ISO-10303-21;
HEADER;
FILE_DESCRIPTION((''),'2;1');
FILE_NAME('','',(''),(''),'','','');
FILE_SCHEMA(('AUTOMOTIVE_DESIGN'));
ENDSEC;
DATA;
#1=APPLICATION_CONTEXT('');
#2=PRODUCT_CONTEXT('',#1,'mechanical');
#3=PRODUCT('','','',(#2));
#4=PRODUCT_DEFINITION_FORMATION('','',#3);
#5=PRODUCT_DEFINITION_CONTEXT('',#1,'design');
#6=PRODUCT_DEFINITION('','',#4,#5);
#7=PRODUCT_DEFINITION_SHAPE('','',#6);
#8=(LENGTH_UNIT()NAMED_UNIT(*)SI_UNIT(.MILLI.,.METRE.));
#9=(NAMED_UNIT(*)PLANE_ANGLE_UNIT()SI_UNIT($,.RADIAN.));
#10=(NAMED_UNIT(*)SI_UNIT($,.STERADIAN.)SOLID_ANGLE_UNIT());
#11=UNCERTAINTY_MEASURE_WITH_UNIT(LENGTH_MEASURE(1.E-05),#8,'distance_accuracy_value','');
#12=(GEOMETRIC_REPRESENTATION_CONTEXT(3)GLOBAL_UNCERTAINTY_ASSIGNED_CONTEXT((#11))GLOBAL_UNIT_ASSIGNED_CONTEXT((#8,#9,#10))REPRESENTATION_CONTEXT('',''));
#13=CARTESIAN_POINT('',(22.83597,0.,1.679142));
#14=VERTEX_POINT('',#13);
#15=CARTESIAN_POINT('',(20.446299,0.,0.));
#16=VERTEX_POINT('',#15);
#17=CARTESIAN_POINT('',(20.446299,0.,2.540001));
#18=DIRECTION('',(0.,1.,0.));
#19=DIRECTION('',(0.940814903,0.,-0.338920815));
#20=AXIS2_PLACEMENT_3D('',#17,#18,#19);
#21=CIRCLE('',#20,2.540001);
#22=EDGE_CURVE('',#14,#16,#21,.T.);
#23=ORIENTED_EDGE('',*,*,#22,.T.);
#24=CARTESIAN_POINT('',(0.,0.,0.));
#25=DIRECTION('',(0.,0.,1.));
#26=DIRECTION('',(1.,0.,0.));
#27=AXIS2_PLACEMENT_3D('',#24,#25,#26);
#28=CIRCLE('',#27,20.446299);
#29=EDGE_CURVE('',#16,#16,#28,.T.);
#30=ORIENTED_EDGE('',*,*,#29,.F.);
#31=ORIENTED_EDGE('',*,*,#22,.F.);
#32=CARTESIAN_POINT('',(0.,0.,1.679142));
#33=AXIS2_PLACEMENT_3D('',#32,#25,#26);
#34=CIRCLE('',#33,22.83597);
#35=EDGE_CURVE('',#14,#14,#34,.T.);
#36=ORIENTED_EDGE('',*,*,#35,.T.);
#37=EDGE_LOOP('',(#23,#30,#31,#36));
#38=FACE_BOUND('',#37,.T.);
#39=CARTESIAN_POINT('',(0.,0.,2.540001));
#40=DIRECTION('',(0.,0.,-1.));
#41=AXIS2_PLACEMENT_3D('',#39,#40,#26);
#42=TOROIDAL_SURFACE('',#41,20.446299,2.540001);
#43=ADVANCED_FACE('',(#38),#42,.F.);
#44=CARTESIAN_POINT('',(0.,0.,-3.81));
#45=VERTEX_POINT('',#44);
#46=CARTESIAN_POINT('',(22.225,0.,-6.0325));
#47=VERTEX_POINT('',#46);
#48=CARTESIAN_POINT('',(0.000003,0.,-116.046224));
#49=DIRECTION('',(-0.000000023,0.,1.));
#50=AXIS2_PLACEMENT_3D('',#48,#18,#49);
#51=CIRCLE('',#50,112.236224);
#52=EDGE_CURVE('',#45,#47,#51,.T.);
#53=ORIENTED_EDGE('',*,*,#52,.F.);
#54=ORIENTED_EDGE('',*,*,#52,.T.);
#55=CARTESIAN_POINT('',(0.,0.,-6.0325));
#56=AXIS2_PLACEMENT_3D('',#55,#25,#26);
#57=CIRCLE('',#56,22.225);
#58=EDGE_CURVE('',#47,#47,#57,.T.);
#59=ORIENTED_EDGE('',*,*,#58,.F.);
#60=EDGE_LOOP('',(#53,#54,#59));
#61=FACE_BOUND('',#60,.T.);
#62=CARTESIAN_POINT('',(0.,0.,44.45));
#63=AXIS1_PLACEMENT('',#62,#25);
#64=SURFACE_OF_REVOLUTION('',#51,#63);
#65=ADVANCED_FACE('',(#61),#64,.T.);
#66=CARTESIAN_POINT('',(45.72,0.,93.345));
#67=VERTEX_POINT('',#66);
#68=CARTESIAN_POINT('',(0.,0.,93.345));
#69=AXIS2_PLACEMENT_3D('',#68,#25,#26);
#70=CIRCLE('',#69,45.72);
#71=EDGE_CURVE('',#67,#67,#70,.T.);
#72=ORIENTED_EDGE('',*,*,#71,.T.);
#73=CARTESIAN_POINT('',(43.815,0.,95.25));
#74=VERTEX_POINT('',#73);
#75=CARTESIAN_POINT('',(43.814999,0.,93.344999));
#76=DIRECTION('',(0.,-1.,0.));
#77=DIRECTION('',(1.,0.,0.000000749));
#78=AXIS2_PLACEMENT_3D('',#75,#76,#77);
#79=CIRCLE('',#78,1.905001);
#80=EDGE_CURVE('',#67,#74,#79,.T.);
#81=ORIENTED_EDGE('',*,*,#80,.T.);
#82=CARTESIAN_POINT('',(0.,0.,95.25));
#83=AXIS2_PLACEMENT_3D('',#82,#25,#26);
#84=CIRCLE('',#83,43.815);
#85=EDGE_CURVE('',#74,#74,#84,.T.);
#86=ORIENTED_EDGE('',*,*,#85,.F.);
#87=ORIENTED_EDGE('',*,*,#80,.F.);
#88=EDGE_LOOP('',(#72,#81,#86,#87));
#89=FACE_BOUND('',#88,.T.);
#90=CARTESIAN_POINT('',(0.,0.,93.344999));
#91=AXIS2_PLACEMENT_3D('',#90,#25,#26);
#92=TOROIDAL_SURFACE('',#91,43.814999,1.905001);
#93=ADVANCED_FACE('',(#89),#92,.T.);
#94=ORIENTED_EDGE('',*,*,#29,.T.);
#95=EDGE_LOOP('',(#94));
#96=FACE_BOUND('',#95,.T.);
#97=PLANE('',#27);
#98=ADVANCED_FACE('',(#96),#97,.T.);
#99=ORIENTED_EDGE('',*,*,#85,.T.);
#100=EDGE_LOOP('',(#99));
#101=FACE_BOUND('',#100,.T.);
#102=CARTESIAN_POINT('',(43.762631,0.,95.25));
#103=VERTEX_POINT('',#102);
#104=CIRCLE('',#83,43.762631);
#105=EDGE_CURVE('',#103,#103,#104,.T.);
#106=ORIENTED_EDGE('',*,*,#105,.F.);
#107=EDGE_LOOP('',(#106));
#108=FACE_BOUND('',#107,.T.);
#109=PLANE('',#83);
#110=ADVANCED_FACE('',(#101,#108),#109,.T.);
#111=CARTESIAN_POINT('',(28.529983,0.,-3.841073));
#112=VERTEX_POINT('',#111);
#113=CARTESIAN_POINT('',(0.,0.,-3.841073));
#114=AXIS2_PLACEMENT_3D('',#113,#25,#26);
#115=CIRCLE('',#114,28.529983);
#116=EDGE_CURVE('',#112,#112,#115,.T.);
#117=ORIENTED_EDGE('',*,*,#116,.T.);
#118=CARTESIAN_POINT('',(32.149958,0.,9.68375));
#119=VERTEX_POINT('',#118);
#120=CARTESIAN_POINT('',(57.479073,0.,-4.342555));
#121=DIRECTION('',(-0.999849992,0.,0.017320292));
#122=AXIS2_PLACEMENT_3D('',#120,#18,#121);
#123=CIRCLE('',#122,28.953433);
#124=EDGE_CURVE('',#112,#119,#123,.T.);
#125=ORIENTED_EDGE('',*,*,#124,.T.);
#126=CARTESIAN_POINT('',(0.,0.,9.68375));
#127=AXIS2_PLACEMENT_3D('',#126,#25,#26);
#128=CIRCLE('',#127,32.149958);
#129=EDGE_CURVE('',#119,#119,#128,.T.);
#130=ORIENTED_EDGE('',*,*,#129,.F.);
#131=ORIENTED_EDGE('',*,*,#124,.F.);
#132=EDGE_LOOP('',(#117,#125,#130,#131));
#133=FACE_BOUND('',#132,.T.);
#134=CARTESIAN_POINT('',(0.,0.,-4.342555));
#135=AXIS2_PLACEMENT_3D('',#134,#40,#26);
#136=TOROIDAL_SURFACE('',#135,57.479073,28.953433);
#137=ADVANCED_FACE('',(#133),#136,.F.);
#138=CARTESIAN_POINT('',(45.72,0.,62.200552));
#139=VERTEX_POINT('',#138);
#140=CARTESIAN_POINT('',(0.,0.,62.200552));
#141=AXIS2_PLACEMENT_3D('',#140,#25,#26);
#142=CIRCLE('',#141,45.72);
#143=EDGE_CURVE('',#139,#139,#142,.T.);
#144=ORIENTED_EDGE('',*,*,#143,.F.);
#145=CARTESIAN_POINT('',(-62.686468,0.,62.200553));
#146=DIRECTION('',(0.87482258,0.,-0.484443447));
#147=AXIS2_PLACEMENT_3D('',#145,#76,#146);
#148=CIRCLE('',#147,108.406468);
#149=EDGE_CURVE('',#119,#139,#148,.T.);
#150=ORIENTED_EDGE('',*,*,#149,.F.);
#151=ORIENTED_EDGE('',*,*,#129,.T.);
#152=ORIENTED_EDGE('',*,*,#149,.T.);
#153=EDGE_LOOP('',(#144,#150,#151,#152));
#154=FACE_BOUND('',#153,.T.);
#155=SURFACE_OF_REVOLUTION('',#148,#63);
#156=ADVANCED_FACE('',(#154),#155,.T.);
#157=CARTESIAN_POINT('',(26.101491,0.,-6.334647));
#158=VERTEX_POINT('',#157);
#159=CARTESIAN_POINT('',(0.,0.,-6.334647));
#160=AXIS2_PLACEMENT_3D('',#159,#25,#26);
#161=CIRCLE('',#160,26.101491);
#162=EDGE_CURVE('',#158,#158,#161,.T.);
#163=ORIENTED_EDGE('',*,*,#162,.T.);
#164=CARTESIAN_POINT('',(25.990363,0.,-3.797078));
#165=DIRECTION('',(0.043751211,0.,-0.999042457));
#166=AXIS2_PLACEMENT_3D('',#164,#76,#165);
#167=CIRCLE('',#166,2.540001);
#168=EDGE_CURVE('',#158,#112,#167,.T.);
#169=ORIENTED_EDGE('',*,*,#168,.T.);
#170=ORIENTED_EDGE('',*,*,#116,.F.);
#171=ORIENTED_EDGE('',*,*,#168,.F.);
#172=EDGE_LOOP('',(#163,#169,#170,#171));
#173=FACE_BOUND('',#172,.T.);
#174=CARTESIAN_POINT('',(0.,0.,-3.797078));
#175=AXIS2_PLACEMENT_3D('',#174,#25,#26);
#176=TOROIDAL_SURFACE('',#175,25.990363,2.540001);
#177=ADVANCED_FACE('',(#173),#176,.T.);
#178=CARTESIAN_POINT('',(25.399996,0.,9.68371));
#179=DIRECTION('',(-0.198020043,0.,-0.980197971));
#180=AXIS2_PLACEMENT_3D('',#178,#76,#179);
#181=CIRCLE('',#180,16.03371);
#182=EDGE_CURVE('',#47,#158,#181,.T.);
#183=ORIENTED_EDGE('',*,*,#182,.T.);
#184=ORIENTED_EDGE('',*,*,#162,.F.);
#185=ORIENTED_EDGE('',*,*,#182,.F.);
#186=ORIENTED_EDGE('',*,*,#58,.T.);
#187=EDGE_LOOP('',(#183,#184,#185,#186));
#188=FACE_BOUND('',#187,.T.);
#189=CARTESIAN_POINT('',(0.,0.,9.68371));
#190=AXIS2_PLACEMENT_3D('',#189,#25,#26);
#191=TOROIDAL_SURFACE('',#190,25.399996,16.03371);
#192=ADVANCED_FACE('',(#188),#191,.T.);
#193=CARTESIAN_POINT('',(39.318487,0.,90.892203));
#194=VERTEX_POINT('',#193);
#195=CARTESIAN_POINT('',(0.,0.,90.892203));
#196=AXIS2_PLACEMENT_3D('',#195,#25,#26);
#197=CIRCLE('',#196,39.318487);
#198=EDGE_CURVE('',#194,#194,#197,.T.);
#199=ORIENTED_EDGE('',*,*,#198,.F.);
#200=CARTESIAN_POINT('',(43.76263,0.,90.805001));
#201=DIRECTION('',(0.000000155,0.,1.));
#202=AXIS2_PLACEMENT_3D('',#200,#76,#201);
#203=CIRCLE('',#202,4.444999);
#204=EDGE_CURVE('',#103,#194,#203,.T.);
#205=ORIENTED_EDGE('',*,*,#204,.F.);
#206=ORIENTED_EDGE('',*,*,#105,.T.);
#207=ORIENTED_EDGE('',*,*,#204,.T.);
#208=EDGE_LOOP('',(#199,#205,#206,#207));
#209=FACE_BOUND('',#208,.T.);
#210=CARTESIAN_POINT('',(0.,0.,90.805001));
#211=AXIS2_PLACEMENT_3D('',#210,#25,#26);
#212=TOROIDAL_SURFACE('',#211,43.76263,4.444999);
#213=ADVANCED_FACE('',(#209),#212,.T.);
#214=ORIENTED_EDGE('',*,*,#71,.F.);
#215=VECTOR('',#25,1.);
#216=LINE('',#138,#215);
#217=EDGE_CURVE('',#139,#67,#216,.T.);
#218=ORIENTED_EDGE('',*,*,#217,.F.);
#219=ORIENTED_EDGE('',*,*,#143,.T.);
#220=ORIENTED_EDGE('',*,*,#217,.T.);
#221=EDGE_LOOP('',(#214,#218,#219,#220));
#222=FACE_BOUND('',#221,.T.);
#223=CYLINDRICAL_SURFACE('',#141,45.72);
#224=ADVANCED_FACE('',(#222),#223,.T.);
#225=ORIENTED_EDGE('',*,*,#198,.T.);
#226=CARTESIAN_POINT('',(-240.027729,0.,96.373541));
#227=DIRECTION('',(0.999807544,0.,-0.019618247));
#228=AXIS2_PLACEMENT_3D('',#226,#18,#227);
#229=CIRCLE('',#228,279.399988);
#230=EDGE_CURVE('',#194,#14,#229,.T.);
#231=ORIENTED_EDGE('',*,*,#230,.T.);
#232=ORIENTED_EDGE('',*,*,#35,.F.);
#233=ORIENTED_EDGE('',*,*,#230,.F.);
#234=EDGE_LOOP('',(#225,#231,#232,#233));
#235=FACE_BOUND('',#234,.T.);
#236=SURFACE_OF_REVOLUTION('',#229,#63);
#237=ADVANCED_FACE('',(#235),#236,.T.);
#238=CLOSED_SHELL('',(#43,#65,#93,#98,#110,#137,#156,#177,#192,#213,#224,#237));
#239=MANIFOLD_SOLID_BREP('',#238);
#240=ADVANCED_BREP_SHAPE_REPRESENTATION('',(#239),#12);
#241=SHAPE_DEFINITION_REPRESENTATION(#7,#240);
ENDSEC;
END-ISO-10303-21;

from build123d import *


with BuildPart() as f1:
    # F0 (on Front) → F1 (revolve)
    with BuildSketch(Plane.XZ):
        with BuildLine():
            Line((20.446299, 0), (0, 0))
            Line((0, 0), (0, -3.81))
            ThreePointArc((0, -3.81), (11.167924, -4.367007), (22.225, -6.0325))
            ThreePointArc((22.225, -6.0325), (24.154053, -6.301517), (26.101491, -6.334647))
            ThreePointArc((26.101491, -6.334647), (27.810004, -5.569227), (28.529983, -3.841073))
            ThreePointArc((28.529983, -3.841073), (29.510142, 3.143445), (32.149958, 9.68375))
            ThreePointArc((32.149958, 9.68375), (42.272677, 35.079709), (45.72, 62.200552))
            Line((45.72, 62.200552), (45.72, 93.345))
            ThreePointArc((45.72, 93.345), (45.162038, 94.692038), (43.815, 95.25))
            Line((43.815, 95.25), (43.762631, 95.25))
            ThreePointArc((43.762631, 95.25), (40.650525, 93.978771), (39.318487, 90.892203))
            ThreePointArc((39.318487, 90.892203), (34.722413, 45.612208), (22.83597, 1.679142))
            ThreePointArc((22.83597, 1.679142), (21.906611, 0.461758), (20.446299, 0))
        make_face()
    revolve(axis=Axis((0, 0, 44.45), (0, 0, 1)))


solid = f1.part
